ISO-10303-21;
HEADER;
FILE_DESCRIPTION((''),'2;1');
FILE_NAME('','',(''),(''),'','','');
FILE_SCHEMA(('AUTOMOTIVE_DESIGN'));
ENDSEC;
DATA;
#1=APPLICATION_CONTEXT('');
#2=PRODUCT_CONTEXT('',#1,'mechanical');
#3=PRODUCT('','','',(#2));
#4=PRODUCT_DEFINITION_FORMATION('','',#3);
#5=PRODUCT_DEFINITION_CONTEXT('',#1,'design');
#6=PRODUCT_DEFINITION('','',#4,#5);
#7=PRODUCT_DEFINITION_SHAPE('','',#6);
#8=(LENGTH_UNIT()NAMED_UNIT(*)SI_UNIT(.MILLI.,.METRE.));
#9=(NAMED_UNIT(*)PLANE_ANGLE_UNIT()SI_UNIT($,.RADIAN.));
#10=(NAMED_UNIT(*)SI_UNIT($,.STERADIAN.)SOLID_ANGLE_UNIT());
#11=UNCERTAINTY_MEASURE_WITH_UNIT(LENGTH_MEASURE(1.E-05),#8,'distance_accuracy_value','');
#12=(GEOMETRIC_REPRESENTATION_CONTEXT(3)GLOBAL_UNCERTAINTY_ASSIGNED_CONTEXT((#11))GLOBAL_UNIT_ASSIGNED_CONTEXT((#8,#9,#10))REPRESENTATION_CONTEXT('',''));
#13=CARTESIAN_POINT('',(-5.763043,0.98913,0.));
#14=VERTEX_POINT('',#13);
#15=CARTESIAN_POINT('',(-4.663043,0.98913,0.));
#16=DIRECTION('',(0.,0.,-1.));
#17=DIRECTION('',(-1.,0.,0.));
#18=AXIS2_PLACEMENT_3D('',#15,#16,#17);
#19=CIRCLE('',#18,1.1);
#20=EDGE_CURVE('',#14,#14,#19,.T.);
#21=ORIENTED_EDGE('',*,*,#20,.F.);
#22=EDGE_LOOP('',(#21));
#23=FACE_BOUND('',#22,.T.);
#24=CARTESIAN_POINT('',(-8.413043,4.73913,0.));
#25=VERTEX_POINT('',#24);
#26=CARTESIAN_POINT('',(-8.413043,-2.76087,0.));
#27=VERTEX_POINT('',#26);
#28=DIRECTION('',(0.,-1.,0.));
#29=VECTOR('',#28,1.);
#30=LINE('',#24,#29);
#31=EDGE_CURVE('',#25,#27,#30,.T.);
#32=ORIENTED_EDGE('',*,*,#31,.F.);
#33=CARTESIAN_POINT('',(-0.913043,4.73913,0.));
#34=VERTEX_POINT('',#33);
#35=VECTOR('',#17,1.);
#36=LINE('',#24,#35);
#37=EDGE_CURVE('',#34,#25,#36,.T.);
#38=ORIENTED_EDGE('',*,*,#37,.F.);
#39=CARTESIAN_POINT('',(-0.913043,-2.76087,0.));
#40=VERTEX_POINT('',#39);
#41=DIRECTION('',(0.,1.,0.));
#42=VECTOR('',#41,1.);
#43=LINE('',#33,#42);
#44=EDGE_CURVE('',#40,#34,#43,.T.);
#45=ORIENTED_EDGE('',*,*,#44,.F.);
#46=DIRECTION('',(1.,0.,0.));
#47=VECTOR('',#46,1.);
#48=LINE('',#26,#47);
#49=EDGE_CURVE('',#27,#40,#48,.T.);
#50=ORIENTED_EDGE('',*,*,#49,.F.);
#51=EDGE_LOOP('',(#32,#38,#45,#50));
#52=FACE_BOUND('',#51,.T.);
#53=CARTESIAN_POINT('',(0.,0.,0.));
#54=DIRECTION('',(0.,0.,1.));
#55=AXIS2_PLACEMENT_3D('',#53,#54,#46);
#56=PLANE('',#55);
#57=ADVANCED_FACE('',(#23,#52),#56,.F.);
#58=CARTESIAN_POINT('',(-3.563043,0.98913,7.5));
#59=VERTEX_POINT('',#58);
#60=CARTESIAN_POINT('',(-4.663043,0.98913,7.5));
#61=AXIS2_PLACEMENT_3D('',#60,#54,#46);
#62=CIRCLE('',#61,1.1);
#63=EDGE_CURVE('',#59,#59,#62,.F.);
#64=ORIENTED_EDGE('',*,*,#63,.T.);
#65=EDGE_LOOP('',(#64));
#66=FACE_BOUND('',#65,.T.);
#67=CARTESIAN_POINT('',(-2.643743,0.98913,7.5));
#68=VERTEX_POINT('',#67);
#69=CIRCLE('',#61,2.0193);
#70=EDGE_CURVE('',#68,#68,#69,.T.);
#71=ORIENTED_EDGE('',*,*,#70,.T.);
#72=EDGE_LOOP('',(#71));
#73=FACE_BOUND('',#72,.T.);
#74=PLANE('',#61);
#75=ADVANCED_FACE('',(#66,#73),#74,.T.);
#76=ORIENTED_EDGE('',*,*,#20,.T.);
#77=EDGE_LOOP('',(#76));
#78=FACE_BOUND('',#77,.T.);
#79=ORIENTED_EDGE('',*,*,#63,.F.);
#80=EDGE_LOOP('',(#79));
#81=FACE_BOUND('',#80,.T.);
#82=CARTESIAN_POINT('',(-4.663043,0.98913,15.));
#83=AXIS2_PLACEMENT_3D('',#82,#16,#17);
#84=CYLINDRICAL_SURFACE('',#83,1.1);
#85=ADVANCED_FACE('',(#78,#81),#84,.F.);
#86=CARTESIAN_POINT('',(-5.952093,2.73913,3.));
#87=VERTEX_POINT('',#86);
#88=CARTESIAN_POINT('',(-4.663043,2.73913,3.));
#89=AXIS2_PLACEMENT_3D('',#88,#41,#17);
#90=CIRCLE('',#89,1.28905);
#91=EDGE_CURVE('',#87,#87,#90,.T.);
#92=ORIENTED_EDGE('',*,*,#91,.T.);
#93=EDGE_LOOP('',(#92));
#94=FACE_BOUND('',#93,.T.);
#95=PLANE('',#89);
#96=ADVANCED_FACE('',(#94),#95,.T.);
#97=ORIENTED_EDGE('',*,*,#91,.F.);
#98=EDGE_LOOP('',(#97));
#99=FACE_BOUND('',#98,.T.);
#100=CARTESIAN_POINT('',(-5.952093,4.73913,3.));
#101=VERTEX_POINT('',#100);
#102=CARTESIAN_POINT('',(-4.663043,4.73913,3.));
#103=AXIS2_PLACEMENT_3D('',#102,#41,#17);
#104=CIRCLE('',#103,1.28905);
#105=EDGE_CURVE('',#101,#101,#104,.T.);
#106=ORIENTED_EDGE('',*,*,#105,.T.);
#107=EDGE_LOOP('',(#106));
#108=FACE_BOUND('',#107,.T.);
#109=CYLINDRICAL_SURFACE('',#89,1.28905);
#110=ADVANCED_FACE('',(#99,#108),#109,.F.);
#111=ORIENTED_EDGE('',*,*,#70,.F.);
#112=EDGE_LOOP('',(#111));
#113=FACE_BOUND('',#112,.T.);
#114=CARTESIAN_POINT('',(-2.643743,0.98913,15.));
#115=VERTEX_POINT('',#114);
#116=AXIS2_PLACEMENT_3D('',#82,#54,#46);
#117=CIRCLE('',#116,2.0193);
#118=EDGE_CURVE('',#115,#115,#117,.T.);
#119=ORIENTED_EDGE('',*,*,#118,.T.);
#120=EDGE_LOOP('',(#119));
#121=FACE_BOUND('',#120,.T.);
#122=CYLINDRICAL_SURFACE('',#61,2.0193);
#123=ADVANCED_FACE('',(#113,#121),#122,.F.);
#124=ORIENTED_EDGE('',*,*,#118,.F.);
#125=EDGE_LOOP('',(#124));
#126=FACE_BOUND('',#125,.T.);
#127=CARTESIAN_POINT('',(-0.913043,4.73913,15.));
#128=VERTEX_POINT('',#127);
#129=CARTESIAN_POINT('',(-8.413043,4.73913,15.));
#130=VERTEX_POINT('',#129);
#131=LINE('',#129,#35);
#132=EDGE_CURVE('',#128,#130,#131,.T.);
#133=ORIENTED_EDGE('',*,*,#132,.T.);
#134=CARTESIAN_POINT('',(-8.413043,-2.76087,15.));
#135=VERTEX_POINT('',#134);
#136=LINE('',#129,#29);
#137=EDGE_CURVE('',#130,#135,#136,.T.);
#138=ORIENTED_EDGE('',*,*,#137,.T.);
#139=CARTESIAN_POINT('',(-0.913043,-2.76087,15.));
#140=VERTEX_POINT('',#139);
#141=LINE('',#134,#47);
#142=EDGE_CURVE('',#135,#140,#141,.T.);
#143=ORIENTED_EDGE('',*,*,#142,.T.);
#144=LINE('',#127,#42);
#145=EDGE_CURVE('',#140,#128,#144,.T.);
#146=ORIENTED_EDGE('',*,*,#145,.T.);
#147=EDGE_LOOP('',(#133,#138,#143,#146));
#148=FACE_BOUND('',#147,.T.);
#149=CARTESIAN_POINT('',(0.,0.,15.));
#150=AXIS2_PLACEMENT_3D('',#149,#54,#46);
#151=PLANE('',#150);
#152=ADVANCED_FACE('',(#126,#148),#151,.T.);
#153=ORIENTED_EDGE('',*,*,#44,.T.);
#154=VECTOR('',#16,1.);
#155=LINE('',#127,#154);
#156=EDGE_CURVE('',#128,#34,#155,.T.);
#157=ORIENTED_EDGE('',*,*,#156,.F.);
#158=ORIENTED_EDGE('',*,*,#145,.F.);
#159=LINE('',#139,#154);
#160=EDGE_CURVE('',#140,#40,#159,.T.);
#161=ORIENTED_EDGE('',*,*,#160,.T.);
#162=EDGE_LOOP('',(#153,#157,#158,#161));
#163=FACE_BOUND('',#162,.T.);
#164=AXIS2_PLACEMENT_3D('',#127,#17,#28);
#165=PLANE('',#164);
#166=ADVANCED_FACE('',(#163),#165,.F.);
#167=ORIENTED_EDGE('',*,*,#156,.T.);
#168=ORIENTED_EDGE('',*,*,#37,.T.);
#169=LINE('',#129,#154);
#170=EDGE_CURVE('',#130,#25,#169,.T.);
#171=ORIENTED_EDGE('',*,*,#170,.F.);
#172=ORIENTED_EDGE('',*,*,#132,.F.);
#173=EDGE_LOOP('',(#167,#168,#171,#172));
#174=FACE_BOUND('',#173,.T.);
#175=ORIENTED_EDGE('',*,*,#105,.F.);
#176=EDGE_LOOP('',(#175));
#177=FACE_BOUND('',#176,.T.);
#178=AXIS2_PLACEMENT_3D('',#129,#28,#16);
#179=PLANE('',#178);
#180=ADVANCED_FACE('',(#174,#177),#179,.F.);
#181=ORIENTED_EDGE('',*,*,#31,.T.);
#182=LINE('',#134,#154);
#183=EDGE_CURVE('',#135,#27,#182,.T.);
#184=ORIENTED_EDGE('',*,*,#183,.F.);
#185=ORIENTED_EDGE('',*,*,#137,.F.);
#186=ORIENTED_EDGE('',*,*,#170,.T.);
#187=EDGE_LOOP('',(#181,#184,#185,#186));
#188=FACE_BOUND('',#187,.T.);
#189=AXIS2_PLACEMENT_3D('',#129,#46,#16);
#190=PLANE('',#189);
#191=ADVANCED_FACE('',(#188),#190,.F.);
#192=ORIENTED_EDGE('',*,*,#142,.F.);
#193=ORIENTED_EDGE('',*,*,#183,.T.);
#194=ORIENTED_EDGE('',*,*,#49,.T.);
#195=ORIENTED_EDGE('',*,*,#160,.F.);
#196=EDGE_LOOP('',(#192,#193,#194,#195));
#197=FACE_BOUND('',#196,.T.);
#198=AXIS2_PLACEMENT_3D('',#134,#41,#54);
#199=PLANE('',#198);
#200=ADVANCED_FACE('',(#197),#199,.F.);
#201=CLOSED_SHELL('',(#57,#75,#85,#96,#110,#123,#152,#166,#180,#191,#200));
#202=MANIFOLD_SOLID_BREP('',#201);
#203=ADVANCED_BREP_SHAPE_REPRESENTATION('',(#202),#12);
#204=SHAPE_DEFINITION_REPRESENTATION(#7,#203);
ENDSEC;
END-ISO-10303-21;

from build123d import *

# Parameters (mm, degrees)
SKETCH1_W                     = 7.5
SKETCH1_H                     = 7.5
BOSS_EXTRUDE1_DEPTH           = 15
HOLE_FOR_TUBING_R             = 1.1
CUT_EXTRUDE1_DEPTH            = 16
F_10_32_HOLE_FOR_LUER_SCREW_R = 2.0193
CUT_EXTRUDE2_DEPTH            = 7.5
F_5_40_SET_SCREW_HOLE_R       = 1.28905
CUT_EXTRUDE3_DEPTH            = 2


with BuildPart() as part:
    # Sketch1 → Boss-Extrude1 (new body)
    with BuildSketch(Plane.XY):
        with Locations((-4.663043478, 0.989130435)):
            Rectangle(SKETCH1_W, SKETCH1_H)
    extrude(amount=BOSS_EXTRUDE1_DEPTH)

    # hole for tubing → Cut-Extrude1 (cut, through all)
    with BuildSketch(Plane(origin=(0, 0, 0), x_dir=(-1, 0, 0), z_dir=(0, 0, -1))):
        with Locations((4.663043478, 0.989130435)):
            Circle(HOLE_FOR_TUBING_R)
    extrude(amount=-CUT_EXTRUDE1_DEPTH, mode=Mode.SUBTRACT)

    # 10-32 hole for luer screw → Cut-Extrude2 (cut)
    with BuildSketch(Plane.XY.offset(15)):
        with Locations((-4.663043478, 0.989130435)):
            Circle(F_10_32_HOLE_FOR_LUER_SCREW_R)
    extrude(amount=-CUT_EXTRUDE2_DEPTH, mode=Mode.SUBTRACT)

    # 5-40 set screw hole → Cut-Extrude3 (cut)
    with BuildSketch(Plane(origin=(0, 4.739130435, 0), x_dir=(1, 0, 0), z_dir=(0, 1, 0))):
        with Locations((-4.663043478, -3)):
            Circle(F_5_40_SET_SCREW_HOLE_R)
    extrude(amount=-CUT_EXTRUDE3_DEPTH, mode=Mode.SUBTRACT)


solid = part.part
